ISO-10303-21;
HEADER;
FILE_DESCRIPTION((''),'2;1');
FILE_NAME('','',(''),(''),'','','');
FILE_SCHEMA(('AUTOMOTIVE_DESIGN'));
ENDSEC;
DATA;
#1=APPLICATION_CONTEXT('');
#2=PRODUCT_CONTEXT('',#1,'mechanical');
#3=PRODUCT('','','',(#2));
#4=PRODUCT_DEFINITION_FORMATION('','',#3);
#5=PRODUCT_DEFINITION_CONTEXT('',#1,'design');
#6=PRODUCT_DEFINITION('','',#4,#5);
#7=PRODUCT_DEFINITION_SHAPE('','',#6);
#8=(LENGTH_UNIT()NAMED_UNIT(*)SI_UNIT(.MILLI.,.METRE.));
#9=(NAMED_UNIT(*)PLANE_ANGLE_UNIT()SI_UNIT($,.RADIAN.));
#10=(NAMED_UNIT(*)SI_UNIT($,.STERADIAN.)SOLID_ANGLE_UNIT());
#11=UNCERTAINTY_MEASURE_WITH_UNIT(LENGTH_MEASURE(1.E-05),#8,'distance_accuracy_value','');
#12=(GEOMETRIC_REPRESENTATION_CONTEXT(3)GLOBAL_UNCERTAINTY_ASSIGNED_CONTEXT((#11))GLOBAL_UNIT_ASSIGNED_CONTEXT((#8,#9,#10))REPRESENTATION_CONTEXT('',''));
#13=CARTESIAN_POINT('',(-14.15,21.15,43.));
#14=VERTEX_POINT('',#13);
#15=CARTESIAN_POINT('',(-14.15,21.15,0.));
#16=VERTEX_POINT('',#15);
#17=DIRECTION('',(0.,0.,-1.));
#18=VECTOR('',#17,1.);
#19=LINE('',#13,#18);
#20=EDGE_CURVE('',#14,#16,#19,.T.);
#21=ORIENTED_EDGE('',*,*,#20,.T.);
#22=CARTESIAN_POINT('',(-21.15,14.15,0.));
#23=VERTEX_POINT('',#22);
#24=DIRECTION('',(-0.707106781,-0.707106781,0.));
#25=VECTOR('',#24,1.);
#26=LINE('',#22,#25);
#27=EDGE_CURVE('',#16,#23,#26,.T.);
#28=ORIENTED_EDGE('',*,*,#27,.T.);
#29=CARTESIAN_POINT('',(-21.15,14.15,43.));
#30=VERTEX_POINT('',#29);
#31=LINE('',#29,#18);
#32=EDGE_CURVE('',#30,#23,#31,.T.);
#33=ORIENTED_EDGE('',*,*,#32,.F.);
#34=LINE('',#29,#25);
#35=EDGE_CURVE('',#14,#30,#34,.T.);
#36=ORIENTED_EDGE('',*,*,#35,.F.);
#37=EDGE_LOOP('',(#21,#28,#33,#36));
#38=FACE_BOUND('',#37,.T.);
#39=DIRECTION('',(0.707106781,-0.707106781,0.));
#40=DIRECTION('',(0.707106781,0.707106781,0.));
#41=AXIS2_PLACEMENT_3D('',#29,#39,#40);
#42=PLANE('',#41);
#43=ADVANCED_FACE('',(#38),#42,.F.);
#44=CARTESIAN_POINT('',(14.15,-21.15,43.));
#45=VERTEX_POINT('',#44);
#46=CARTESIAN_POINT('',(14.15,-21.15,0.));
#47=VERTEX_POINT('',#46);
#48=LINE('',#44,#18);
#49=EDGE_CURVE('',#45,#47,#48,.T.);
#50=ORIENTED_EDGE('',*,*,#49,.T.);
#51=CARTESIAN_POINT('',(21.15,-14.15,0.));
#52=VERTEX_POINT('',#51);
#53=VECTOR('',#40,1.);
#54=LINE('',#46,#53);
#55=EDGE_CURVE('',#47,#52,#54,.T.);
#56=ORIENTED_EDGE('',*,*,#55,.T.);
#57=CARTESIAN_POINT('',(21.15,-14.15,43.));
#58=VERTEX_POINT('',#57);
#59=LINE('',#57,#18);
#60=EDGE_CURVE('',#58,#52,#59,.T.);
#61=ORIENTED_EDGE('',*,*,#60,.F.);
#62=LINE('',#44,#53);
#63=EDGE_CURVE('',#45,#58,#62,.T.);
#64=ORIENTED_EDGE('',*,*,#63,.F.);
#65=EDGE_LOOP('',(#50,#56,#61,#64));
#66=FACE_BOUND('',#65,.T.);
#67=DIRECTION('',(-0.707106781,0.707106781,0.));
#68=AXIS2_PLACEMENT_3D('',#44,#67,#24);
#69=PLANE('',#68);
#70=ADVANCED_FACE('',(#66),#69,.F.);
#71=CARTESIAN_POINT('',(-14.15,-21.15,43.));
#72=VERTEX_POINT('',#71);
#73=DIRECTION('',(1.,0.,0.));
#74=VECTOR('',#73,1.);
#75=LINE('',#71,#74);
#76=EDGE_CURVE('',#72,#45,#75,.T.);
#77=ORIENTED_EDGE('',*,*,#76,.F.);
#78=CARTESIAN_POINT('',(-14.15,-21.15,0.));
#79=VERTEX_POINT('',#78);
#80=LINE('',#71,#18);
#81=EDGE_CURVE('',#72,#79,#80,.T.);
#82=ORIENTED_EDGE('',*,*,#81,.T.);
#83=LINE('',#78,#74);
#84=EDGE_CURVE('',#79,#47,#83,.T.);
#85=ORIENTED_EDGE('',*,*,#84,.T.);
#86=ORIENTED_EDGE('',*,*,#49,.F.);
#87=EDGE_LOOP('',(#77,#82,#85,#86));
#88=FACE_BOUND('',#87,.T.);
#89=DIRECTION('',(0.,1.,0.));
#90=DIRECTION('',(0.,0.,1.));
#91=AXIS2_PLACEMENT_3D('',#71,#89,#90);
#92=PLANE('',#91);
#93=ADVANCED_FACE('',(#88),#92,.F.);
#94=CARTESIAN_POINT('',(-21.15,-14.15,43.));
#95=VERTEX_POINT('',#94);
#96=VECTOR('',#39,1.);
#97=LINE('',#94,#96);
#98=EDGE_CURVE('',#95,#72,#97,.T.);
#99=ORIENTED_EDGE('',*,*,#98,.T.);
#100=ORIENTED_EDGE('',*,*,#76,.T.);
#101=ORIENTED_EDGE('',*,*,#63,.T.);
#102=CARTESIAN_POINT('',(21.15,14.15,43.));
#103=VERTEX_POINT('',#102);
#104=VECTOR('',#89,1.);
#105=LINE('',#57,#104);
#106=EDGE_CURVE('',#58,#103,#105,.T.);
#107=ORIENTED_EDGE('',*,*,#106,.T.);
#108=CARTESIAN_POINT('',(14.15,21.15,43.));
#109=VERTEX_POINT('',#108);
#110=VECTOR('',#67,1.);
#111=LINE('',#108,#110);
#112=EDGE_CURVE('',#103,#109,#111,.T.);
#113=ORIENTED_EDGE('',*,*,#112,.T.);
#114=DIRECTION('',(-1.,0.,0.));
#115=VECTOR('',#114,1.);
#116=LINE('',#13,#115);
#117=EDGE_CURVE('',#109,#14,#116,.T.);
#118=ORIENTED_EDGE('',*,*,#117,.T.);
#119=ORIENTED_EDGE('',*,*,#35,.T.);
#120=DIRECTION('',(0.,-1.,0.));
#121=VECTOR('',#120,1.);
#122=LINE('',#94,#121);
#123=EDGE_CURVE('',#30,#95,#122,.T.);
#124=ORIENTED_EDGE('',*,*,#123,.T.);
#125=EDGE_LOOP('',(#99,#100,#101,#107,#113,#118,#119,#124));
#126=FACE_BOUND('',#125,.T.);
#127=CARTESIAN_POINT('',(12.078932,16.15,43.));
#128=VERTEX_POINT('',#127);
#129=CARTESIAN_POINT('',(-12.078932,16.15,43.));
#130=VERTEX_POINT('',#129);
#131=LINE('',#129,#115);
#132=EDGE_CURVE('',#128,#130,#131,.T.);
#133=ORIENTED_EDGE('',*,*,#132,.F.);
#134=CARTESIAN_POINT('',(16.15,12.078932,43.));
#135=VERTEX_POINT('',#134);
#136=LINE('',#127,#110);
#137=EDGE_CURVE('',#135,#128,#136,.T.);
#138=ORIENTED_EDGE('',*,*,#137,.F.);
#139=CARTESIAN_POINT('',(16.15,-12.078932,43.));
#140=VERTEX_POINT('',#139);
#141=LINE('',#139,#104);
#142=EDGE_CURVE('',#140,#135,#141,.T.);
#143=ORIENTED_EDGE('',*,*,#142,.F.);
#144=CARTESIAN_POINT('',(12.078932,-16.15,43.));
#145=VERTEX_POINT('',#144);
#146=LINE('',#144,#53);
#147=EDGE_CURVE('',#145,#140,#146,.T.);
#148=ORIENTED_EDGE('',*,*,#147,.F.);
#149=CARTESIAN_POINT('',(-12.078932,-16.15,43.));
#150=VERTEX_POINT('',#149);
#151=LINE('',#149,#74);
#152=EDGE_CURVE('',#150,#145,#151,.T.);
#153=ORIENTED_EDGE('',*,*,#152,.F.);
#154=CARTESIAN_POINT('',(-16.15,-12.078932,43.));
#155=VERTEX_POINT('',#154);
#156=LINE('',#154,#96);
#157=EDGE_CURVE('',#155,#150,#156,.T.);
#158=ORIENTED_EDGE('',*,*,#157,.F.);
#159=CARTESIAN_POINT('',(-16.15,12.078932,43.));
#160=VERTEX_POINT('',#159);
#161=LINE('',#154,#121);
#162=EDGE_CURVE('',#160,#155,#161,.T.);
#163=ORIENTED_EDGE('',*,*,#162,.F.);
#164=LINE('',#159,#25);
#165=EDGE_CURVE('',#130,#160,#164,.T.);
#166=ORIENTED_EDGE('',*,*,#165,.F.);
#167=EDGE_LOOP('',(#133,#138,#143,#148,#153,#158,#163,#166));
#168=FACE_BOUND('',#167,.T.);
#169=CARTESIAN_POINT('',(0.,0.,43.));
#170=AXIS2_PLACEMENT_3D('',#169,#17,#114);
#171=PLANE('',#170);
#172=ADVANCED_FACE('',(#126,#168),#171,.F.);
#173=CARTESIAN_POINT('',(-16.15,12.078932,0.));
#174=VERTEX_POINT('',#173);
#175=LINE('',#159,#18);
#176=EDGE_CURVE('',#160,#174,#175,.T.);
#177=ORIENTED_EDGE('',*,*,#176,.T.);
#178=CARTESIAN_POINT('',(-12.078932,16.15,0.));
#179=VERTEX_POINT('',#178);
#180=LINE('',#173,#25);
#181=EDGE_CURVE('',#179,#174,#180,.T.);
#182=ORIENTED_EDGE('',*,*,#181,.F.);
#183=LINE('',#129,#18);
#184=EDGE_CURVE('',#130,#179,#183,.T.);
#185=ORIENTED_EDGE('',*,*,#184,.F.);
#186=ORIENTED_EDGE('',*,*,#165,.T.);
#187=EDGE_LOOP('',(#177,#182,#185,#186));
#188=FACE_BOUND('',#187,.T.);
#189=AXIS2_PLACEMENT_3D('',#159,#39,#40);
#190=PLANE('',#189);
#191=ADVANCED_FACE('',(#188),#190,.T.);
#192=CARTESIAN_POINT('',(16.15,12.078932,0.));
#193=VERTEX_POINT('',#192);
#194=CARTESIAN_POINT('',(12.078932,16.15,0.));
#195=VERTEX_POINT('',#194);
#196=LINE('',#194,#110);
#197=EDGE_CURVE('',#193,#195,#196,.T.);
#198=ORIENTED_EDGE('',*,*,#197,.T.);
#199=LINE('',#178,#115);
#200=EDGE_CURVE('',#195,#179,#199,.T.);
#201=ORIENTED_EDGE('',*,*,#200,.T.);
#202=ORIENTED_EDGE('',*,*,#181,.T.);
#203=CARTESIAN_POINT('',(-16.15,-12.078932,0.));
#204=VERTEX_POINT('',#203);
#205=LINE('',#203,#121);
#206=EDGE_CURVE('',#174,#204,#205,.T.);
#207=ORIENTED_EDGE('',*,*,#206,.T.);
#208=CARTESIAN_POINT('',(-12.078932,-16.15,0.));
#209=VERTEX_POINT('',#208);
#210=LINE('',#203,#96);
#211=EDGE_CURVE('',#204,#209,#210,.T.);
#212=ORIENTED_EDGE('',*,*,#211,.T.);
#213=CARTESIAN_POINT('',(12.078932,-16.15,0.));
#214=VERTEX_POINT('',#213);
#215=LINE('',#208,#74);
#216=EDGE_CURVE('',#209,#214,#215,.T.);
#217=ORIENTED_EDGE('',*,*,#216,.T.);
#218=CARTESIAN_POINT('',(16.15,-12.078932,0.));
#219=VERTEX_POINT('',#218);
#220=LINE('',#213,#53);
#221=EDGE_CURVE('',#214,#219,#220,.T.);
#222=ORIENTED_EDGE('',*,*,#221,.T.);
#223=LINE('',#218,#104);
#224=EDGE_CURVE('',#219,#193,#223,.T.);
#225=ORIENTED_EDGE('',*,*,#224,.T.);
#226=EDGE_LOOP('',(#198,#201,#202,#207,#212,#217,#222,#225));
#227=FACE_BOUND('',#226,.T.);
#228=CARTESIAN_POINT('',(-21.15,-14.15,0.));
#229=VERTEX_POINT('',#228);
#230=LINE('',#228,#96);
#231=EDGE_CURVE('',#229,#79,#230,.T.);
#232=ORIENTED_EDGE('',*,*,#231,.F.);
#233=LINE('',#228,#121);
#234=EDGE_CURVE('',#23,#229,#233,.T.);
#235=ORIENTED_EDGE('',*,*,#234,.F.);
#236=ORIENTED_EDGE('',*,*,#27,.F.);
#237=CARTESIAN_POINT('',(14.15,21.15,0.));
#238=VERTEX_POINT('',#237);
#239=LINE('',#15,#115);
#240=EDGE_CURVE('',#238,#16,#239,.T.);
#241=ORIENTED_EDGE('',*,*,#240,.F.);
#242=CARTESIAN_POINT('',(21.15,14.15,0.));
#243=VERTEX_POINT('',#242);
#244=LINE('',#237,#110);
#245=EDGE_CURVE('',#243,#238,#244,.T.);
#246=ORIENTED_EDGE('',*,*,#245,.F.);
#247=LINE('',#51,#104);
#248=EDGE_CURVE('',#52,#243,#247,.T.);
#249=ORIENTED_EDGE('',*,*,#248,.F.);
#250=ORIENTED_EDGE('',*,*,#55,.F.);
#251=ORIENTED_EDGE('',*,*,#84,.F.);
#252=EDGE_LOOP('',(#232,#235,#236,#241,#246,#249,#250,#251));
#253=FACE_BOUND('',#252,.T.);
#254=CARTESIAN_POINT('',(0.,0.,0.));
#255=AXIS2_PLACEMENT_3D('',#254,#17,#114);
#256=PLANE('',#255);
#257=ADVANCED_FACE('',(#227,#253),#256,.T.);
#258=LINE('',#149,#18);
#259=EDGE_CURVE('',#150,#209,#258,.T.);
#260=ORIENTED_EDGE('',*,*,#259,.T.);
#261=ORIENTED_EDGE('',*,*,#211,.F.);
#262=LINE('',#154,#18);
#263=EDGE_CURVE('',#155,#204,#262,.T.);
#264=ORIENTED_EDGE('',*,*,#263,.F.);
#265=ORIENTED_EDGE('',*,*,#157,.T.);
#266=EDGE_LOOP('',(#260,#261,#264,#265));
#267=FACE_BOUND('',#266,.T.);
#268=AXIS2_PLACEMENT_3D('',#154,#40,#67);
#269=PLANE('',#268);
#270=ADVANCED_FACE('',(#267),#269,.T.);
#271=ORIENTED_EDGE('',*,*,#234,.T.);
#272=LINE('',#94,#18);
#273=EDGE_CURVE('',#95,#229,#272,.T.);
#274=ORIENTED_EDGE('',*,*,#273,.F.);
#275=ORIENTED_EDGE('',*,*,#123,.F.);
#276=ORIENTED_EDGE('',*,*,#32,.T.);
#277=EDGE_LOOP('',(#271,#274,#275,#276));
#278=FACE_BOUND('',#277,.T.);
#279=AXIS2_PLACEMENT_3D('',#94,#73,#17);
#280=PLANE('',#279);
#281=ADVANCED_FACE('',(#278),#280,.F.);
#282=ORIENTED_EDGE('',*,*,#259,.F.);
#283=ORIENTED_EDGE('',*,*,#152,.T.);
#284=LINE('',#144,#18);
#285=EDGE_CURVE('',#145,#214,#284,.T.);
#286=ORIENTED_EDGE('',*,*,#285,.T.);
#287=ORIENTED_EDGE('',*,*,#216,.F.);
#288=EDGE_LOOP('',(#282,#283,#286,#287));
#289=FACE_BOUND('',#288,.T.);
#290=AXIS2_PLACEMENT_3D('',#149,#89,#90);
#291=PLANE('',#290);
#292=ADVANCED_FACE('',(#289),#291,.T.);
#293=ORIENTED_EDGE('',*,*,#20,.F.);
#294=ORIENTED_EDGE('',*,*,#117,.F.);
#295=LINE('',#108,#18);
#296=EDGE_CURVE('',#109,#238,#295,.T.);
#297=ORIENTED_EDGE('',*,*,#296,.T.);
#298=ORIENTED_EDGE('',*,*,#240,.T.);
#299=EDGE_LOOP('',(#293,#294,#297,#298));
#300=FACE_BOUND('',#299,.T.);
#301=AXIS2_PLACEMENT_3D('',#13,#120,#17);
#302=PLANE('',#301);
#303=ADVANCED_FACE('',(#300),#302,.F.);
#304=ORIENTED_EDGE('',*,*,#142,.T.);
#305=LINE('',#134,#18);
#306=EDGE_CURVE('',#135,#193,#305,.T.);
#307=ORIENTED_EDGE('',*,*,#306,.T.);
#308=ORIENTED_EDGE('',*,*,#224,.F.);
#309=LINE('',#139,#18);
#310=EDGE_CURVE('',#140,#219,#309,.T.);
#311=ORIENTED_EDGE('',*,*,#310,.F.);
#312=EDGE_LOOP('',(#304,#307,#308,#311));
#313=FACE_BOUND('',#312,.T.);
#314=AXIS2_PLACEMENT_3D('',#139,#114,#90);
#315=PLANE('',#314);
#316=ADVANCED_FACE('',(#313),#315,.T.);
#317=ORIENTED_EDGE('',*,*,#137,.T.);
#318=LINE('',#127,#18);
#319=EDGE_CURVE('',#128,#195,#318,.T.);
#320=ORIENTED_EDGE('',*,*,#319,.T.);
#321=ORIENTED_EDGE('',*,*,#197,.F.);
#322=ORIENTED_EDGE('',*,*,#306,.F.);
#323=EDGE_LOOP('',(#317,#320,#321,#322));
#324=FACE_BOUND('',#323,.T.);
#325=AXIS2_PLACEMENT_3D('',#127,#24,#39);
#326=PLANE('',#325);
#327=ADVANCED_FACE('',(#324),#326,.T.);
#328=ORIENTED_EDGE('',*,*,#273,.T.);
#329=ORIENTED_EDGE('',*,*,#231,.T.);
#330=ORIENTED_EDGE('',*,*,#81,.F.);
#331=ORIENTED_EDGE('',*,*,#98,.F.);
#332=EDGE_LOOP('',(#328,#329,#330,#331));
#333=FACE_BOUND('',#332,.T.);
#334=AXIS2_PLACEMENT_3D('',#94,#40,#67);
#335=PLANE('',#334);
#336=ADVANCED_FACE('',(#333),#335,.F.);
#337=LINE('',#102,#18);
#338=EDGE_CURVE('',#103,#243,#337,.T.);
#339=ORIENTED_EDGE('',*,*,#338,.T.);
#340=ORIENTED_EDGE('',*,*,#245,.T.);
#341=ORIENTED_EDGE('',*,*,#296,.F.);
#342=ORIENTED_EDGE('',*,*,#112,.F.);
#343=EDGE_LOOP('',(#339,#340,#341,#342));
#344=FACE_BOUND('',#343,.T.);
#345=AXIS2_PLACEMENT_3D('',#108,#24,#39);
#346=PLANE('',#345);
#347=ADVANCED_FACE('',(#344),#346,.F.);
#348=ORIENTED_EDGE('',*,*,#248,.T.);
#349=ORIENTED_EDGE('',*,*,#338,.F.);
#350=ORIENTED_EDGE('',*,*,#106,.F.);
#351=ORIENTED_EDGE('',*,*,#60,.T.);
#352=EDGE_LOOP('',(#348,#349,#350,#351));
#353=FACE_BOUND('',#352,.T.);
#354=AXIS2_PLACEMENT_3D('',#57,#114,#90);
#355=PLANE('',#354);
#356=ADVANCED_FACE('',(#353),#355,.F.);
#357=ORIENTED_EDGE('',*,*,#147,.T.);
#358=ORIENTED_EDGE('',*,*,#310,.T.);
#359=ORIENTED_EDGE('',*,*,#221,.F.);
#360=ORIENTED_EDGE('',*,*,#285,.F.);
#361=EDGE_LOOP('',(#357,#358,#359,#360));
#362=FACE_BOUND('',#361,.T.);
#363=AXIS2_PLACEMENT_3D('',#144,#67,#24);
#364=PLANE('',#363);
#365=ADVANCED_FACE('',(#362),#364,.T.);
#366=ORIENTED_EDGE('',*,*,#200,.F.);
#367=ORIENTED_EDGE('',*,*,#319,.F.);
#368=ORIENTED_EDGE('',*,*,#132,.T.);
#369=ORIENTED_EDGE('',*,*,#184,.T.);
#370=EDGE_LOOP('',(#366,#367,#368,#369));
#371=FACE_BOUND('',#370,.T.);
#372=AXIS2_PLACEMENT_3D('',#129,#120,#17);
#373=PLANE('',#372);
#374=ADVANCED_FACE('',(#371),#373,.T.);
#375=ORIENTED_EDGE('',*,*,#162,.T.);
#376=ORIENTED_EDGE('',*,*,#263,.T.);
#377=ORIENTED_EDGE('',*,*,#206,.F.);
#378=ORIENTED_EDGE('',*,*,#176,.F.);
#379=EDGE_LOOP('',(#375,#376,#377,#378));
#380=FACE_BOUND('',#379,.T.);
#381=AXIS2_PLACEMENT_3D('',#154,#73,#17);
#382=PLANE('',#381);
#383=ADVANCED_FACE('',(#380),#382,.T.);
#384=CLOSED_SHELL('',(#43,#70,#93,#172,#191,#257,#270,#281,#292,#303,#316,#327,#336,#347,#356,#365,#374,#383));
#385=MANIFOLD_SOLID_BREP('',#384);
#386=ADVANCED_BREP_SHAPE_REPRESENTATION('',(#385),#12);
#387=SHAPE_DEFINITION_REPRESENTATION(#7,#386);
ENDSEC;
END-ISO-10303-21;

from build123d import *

# Parameters (mm, degrees)
BOSS_EXTRUDE1_DEPTH = 43


with BuildPart() as part:
    # Sketch2 → Boss-Extrude1 (new body)
    with BuildSketch(Plane.XY):
        Polygon((-21.15, 14.15), (-14.15, 21.15), (14.15, 21.15), (21.15, 14.15), (21.15, -14.15), (14.15, -21.15), (-14.15, -21.15), (-21.15, -14.15), align=None)
        Polygon((-12.078932188, 16.15), (12.078932188, 16.15), (16.15, 12.078932188), (16.15, -12.078932188), (12.078932188, -16.15), (-12.078932188, -16.15), (-16.15, -12.078932188), (-16.15, 12.078932188), align=None, mode=Mode.SUBTRACT)
    extrude(amount=BOSS_EXTRUDE1_DEPTH)


solid = part.part
